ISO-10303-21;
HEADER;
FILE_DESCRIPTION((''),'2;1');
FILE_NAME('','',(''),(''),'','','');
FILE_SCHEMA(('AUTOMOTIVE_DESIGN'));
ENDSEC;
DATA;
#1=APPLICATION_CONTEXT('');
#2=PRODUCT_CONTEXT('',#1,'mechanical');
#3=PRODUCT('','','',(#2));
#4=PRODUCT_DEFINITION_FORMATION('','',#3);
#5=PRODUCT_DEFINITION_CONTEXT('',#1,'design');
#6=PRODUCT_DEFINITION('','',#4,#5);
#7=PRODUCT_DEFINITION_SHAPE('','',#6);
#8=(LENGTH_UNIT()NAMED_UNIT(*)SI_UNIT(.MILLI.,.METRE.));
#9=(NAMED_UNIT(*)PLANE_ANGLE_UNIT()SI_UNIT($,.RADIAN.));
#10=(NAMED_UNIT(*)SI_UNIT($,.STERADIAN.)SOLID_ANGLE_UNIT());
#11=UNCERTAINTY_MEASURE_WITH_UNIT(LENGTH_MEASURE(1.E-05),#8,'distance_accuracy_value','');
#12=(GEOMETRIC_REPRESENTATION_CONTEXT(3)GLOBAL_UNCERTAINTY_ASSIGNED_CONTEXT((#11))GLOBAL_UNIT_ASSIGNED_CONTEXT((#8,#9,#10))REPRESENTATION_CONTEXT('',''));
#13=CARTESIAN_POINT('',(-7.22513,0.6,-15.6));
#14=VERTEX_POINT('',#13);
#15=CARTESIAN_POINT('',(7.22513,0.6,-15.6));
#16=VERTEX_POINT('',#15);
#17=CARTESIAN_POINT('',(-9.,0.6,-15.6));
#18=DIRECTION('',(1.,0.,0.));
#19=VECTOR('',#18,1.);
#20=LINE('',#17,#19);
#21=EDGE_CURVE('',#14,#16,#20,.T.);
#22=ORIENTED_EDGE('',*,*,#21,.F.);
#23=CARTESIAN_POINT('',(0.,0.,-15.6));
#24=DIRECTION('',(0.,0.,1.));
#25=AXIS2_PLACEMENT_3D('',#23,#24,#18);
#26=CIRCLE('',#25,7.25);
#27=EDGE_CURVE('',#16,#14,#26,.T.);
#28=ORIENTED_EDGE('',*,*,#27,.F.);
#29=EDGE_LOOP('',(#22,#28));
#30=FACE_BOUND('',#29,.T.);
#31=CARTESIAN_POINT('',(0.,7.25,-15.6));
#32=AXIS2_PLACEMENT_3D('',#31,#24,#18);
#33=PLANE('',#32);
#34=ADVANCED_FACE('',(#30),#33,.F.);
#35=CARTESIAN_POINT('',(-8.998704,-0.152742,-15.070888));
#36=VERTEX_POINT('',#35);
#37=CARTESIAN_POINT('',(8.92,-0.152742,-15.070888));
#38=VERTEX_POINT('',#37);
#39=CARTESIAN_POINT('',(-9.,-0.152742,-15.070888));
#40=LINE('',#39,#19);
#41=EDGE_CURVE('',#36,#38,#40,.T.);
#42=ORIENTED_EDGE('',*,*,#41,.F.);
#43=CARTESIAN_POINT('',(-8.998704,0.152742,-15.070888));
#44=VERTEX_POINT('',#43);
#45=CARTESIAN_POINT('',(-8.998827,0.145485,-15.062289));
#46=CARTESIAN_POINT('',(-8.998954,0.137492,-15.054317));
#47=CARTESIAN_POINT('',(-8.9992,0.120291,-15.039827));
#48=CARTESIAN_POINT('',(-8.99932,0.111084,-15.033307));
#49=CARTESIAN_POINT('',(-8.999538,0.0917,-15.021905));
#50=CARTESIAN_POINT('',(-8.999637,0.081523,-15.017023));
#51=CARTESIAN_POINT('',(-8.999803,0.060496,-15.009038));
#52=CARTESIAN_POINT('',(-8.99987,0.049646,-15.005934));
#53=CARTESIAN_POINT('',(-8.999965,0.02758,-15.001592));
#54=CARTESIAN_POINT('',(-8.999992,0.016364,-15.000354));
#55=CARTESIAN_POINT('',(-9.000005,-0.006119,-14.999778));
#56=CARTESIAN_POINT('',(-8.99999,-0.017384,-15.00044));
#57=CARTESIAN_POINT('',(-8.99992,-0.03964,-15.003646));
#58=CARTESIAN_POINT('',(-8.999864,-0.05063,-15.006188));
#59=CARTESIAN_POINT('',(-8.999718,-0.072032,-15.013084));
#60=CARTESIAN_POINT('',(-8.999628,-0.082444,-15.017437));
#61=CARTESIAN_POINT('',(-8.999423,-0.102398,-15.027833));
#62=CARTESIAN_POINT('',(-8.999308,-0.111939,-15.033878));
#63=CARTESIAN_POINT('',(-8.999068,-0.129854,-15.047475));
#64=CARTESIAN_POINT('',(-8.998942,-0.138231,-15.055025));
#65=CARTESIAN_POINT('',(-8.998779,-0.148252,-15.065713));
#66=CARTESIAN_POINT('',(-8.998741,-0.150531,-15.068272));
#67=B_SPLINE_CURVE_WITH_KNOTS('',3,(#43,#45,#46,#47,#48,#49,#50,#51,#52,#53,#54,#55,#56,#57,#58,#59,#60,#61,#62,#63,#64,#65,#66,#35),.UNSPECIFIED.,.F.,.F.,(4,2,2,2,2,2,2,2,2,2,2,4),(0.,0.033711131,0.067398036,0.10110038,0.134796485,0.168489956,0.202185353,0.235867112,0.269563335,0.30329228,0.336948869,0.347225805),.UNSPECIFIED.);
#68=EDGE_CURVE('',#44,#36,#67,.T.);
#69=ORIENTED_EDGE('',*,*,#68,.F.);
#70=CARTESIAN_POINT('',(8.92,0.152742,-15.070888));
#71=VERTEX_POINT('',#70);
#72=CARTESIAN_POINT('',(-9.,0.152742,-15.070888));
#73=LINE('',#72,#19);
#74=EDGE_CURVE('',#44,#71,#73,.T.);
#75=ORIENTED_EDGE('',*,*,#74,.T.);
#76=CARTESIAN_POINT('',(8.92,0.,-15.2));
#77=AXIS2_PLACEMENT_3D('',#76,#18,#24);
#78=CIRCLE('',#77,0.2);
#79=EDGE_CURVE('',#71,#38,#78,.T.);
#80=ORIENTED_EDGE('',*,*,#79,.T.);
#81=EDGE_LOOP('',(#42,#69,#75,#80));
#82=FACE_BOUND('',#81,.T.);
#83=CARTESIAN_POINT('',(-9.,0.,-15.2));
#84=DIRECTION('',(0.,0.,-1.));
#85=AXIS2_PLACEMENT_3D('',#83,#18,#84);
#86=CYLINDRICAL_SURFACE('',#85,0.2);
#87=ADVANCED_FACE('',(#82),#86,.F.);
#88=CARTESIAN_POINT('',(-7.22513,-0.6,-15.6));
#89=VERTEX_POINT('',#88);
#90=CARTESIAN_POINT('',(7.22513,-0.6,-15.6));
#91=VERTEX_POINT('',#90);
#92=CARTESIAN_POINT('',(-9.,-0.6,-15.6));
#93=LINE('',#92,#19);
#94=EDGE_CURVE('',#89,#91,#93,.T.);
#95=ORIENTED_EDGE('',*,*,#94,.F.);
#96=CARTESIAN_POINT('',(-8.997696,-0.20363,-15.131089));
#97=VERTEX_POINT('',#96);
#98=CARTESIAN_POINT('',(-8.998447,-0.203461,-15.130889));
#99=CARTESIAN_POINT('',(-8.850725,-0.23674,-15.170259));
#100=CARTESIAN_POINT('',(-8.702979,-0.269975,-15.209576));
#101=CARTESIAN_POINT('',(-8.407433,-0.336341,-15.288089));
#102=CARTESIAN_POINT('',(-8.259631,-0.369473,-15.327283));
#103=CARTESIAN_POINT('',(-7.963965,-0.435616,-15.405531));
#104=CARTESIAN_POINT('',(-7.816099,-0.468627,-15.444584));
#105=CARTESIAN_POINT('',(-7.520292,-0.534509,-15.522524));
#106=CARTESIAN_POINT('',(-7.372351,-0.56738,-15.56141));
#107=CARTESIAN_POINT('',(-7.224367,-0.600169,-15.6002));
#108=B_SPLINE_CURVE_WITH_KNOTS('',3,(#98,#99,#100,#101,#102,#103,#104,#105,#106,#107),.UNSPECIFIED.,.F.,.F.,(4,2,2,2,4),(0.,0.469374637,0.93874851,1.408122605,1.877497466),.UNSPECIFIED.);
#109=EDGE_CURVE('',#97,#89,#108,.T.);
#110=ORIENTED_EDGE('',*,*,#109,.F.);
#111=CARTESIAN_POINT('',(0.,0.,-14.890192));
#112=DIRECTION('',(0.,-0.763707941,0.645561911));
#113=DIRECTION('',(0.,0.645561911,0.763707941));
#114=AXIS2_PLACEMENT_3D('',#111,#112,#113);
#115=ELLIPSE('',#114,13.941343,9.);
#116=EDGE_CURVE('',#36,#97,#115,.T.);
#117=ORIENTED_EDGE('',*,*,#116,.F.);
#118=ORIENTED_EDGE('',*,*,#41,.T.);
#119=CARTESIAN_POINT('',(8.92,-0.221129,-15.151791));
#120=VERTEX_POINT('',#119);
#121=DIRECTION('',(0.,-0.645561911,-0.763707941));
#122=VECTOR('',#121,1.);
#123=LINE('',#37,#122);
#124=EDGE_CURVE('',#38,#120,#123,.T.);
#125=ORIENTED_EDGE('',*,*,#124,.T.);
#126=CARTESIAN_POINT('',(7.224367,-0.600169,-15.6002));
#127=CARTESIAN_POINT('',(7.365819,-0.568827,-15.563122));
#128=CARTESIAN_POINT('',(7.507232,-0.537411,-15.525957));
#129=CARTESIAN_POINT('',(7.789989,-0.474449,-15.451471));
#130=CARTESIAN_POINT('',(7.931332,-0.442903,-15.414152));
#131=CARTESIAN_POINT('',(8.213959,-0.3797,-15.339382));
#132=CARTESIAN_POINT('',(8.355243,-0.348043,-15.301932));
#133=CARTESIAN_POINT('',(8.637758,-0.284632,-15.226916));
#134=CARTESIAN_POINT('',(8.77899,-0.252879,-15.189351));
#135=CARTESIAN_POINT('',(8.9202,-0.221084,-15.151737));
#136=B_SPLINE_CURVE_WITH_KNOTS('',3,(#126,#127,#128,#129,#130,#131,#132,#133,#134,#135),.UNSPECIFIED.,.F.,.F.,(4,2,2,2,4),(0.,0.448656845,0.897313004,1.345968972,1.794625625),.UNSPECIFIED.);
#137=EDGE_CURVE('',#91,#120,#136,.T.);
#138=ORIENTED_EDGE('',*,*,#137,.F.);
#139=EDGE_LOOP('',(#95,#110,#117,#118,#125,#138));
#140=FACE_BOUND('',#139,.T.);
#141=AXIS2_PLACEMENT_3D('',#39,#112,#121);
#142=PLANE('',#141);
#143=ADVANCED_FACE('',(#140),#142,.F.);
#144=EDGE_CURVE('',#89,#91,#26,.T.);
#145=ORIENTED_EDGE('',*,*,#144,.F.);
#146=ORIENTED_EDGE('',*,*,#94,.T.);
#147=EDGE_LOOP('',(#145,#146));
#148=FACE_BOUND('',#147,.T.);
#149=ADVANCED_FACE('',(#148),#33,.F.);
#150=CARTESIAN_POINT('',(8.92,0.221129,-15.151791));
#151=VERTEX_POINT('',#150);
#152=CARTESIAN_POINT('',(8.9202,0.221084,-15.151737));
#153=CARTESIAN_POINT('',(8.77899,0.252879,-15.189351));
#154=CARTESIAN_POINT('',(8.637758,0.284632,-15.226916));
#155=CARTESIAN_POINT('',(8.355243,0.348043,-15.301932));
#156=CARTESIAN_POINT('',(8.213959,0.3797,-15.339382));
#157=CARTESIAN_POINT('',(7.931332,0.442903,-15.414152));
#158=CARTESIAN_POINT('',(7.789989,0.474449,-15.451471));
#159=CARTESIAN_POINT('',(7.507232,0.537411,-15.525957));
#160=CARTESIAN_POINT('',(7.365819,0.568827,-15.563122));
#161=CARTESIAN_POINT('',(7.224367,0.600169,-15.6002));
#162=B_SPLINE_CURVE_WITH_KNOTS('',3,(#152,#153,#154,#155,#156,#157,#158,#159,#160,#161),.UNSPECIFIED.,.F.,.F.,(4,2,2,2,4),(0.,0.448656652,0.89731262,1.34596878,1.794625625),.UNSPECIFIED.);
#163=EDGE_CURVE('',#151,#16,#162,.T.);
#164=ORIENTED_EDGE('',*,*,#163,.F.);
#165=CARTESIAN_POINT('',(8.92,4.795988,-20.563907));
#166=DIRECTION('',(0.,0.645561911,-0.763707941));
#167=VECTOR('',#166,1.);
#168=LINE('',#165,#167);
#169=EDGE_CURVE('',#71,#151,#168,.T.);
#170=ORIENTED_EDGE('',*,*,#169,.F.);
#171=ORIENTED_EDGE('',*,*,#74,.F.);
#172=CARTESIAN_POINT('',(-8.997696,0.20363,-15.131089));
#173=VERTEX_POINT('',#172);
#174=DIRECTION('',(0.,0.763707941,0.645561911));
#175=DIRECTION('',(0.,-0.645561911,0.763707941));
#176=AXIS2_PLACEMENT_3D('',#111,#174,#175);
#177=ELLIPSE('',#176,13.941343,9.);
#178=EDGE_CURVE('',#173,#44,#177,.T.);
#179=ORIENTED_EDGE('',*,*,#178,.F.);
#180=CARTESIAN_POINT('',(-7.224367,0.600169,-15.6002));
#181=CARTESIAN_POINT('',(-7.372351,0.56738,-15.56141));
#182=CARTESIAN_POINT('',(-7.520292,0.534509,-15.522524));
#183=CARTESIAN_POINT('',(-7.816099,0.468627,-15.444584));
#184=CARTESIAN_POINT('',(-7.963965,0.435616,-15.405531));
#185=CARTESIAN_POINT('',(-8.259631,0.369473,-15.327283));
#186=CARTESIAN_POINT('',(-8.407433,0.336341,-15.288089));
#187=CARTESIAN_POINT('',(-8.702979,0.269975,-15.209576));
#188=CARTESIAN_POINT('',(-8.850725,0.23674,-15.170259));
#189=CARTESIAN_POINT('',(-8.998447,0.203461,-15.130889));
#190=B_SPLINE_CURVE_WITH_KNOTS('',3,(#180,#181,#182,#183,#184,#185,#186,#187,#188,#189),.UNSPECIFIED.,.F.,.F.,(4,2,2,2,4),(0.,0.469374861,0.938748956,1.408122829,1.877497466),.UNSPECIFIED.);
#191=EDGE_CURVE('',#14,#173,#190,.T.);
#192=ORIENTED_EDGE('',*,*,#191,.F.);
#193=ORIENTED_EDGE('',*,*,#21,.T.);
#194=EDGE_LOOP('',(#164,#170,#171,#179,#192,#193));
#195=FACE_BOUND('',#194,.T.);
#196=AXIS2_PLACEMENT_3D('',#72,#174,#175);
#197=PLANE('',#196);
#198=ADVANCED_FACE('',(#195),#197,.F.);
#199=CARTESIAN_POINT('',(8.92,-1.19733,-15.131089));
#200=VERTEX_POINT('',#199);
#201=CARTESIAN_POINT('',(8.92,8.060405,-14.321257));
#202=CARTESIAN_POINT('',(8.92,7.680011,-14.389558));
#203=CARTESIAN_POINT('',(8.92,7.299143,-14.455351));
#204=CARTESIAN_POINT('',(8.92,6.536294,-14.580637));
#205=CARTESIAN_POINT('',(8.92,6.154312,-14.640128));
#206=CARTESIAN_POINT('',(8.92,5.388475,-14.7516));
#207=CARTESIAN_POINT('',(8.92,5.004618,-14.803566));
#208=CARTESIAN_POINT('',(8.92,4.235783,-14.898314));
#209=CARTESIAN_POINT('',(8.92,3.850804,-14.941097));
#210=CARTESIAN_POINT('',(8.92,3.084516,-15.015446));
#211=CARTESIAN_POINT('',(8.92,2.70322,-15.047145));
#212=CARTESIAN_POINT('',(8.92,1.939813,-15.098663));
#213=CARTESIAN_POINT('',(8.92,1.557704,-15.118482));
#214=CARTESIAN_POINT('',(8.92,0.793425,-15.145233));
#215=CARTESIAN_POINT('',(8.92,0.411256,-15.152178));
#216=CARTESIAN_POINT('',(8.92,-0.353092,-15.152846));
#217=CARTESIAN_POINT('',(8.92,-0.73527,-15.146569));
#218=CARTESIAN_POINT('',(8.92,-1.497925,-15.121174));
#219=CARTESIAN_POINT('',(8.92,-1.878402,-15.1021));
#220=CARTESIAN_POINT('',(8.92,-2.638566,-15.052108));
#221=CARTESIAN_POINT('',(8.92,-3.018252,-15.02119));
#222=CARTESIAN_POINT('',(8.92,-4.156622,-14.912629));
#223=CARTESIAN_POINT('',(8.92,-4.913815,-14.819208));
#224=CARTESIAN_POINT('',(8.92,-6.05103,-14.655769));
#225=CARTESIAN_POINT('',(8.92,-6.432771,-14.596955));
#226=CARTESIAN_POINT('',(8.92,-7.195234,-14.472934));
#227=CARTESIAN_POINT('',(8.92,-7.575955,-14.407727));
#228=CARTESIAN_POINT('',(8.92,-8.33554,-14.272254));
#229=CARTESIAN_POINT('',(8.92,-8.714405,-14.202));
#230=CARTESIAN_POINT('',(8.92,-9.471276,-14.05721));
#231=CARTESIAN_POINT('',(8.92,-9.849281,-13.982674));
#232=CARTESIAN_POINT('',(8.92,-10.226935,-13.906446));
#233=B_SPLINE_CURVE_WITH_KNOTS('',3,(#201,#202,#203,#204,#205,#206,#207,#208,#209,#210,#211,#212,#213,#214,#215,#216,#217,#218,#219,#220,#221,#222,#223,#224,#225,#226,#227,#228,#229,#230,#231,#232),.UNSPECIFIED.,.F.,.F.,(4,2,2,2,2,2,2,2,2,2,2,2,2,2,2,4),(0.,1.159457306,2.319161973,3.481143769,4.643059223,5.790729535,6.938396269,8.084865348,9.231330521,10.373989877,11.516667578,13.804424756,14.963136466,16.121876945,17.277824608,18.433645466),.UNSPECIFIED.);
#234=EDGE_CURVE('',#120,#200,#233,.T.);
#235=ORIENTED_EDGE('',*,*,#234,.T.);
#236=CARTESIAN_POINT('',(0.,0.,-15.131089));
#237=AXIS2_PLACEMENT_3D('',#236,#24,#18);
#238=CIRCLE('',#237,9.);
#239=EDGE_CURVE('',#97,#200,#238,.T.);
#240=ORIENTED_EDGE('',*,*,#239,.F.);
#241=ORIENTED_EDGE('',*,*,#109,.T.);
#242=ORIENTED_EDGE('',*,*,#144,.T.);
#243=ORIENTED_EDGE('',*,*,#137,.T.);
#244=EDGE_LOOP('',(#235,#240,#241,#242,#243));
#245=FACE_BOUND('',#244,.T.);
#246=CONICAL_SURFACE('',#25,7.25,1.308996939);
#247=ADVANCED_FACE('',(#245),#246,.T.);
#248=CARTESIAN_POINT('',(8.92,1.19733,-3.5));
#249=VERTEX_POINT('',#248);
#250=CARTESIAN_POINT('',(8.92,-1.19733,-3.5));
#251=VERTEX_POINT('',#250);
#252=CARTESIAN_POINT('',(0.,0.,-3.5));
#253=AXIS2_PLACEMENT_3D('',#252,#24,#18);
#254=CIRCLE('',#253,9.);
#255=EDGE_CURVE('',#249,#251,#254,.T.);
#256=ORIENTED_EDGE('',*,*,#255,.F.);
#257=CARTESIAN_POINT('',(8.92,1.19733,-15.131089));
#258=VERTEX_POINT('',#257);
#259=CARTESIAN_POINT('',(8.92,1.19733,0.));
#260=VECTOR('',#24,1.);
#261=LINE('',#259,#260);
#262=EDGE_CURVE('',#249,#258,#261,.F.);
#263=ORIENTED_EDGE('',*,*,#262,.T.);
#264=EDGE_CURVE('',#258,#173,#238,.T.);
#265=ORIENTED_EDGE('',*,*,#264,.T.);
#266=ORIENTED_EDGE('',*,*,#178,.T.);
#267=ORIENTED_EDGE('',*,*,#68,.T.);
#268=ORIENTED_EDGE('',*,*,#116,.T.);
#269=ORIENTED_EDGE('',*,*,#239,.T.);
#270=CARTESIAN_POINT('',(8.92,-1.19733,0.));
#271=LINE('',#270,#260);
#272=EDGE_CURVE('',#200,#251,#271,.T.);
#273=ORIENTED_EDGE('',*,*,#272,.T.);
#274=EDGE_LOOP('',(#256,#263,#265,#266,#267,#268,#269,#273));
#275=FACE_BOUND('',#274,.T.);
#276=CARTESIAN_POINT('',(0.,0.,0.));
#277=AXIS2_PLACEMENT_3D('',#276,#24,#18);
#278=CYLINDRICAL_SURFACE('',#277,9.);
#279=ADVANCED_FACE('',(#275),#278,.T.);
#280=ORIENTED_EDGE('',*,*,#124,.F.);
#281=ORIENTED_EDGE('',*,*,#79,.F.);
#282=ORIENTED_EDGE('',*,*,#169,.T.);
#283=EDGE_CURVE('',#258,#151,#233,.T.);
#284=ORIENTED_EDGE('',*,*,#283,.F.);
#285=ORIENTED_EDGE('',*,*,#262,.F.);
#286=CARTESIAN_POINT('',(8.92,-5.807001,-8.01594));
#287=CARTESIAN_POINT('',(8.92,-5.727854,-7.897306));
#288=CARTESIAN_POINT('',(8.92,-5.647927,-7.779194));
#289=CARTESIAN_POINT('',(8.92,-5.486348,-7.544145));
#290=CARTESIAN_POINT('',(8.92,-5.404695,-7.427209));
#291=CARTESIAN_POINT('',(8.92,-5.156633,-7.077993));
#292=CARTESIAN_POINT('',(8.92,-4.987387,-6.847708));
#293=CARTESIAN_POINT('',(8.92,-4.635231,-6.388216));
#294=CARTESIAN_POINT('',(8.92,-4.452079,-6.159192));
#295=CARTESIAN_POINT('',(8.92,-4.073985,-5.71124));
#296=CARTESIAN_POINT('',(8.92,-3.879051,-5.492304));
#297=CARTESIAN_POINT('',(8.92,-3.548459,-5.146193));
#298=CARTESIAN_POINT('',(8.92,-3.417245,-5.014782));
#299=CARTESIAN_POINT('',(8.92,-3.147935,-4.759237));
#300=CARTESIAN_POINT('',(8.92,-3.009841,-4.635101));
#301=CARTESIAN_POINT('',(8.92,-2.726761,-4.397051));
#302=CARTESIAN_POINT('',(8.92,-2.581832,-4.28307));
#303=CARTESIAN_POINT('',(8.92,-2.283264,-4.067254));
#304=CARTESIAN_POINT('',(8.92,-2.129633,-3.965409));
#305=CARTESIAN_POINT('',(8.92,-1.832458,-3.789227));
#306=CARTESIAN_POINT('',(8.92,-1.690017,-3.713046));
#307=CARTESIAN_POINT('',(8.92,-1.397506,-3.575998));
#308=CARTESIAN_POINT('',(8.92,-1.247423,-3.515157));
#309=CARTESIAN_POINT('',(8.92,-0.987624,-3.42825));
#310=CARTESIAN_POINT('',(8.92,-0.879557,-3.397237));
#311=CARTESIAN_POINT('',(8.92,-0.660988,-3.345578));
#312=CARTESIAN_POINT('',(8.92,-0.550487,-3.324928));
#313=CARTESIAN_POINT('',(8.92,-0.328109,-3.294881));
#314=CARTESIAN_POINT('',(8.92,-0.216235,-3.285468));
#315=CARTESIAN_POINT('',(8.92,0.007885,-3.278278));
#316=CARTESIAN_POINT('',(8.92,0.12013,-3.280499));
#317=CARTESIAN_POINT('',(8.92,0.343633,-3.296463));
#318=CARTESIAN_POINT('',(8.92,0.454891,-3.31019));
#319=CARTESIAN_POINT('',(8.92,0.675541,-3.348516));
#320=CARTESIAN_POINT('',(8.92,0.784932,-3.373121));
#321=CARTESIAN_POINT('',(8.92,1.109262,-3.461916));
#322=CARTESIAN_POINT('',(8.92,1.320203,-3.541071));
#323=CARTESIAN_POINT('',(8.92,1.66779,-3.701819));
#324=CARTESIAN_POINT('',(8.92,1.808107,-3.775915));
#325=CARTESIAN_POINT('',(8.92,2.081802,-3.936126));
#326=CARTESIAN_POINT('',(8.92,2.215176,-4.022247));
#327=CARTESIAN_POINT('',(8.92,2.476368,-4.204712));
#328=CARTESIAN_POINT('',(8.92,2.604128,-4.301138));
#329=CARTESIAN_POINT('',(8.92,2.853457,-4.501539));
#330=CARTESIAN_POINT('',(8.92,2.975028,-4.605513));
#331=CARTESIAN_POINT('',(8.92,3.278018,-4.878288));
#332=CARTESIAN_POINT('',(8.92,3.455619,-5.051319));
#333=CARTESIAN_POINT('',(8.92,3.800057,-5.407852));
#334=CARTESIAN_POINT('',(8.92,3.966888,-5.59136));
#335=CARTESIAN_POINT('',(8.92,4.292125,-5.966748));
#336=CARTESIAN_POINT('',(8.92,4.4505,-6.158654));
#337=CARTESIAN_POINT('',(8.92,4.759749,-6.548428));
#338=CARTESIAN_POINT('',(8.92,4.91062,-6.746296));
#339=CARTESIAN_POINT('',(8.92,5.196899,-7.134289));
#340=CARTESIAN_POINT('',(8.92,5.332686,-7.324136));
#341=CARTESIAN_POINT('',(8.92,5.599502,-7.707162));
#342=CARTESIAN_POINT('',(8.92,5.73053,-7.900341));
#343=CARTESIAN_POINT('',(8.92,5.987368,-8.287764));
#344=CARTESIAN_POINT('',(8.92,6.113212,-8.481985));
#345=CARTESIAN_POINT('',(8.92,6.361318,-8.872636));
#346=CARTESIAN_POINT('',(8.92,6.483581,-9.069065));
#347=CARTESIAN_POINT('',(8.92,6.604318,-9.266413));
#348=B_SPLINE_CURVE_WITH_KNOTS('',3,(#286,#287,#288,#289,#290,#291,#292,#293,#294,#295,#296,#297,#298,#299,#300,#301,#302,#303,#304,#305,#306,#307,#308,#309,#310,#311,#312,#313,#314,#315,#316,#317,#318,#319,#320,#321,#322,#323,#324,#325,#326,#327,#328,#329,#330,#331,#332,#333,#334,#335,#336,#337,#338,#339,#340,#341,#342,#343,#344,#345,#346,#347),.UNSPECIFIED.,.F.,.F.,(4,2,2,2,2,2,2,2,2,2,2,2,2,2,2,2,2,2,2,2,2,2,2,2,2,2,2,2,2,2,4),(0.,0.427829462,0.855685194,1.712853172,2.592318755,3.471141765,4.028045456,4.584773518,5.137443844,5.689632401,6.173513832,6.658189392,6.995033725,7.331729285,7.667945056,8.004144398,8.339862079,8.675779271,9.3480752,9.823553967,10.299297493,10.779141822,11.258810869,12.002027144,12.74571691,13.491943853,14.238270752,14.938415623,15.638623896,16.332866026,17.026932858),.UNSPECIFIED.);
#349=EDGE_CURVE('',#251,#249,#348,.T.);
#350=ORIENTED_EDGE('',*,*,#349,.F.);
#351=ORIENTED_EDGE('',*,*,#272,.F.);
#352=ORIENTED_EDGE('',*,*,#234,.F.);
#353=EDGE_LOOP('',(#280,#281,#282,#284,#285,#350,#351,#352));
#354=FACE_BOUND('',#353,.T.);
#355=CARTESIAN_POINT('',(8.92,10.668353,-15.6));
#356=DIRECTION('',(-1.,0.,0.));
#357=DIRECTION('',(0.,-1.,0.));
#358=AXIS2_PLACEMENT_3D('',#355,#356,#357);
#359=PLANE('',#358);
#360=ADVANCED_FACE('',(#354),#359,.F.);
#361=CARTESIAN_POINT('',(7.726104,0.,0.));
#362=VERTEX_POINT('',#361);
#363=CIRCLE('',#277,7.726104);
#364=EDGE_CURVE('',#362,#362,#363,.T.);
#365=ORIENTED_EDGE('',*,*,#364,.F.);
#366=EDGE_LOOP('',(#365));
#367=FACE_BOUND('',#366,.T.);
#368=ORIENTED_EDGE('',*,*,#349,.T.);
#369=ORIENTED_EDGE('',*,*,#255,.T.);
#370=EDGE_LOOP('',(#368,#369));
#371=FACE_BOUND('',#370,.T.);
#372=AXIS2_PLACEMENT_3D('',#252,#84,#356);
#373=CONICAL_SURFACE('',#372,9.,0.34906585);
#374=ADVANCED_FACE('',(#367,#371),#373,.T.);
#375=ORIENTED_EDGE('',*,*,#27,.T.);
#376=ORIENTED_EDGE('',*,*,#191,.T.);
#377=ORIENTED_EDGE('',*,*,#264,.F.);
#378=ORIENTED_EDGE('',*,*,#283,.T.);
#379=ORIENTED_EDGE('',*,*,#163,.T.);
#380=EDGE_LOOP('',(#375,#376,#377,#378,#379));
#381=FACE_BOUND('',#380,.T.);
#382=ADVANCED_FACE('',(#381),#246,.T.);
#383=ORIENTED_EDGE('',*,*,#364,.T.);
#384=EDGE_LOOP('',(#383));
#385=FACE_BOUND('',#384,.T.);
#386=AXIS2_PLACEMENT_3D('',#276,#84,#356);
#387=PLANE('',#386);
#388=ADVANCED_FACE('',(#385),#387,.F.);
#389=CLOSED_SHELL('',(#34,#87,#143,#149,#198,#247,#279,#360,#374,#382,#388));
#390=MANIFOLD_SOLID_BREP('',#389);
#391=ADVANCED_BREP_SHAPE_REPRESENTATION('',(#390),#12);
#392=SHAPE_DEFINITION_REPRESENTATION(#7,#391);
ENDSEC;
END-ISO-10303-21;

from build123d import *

# Parameters (mm, degrees)
SKETCH2_W               = 3.87532504
SKETCH2_H               = 22.790076604
CUT_EXTRUDE1_DEPTH      = 21.133554083
CUT_EXTRUDE2_DEPTH      = 21.133554083
CUT_EXTRUDE2_DEPTH_BACK = 21.133554083


with BuildPart() as part:
    # Sketch1 → Revolve1 (revolve)
    with BuildSketch(Plane(origin=(0, 0, 0), x_dir=(0, 0, -1), z_dir=(1, 0, 0)), mode=Mode.PRIVATE) as revolve1_sk:
        Polygon((0, 0), (15.6, 0), (15.6, 7.25), (15.131088913, 9), (3.5, 9), (0, 7.72610418), align=None)
    revolve(revolve1_sk.sketch.rotate(Axis((0, 0, 0), (0, 0, -1)), 97.645107459), axis=Axis((0, 0, 0), (0, 0, -1)))

    # Sketch2 → Cut-Extrude1 (cut, through all)
    with BuildSketch(Plane.XY):
        with Locations((10.85766252, -0.726684939)):
            Rectangle(SKETCH2_W, SKETCH2_H)
    extrude(amount=-CUT_EXTRUDE1_DEPTH, mode=Mode.SUBTRACT)

    # Sketch3 → Cut-Extrude2 (cut, two sides: drawn at the far end of the back side and taken through both)
    with BuildSketch(Plane(origin=(0, 0, 0), x_dir=(0, 0, -1), z_dir=(1, 0, 0)).offset(-CUT_EXTRUDE2_DEPTH_BACK)):
        with BuildLine():
            Line((15.070887618, 0.152741588), (15.6, 0.6))
            Line((15.6, 0.6), (15.6, -0.6))
            Line((15.6, -0.6), (15.070887618, -0.152741588))
            ThreePointArc((15.070887618, -0.152741588), (15, 0), (15.070887618, 0.152741588))
        make_face()
    extrude(amount=CUT_EXTRUDE2_DEPTH + CUT_EXTRUDE2_DEPTH_BACK, mode=Mode.SUBTRACT)


solid = part.part
